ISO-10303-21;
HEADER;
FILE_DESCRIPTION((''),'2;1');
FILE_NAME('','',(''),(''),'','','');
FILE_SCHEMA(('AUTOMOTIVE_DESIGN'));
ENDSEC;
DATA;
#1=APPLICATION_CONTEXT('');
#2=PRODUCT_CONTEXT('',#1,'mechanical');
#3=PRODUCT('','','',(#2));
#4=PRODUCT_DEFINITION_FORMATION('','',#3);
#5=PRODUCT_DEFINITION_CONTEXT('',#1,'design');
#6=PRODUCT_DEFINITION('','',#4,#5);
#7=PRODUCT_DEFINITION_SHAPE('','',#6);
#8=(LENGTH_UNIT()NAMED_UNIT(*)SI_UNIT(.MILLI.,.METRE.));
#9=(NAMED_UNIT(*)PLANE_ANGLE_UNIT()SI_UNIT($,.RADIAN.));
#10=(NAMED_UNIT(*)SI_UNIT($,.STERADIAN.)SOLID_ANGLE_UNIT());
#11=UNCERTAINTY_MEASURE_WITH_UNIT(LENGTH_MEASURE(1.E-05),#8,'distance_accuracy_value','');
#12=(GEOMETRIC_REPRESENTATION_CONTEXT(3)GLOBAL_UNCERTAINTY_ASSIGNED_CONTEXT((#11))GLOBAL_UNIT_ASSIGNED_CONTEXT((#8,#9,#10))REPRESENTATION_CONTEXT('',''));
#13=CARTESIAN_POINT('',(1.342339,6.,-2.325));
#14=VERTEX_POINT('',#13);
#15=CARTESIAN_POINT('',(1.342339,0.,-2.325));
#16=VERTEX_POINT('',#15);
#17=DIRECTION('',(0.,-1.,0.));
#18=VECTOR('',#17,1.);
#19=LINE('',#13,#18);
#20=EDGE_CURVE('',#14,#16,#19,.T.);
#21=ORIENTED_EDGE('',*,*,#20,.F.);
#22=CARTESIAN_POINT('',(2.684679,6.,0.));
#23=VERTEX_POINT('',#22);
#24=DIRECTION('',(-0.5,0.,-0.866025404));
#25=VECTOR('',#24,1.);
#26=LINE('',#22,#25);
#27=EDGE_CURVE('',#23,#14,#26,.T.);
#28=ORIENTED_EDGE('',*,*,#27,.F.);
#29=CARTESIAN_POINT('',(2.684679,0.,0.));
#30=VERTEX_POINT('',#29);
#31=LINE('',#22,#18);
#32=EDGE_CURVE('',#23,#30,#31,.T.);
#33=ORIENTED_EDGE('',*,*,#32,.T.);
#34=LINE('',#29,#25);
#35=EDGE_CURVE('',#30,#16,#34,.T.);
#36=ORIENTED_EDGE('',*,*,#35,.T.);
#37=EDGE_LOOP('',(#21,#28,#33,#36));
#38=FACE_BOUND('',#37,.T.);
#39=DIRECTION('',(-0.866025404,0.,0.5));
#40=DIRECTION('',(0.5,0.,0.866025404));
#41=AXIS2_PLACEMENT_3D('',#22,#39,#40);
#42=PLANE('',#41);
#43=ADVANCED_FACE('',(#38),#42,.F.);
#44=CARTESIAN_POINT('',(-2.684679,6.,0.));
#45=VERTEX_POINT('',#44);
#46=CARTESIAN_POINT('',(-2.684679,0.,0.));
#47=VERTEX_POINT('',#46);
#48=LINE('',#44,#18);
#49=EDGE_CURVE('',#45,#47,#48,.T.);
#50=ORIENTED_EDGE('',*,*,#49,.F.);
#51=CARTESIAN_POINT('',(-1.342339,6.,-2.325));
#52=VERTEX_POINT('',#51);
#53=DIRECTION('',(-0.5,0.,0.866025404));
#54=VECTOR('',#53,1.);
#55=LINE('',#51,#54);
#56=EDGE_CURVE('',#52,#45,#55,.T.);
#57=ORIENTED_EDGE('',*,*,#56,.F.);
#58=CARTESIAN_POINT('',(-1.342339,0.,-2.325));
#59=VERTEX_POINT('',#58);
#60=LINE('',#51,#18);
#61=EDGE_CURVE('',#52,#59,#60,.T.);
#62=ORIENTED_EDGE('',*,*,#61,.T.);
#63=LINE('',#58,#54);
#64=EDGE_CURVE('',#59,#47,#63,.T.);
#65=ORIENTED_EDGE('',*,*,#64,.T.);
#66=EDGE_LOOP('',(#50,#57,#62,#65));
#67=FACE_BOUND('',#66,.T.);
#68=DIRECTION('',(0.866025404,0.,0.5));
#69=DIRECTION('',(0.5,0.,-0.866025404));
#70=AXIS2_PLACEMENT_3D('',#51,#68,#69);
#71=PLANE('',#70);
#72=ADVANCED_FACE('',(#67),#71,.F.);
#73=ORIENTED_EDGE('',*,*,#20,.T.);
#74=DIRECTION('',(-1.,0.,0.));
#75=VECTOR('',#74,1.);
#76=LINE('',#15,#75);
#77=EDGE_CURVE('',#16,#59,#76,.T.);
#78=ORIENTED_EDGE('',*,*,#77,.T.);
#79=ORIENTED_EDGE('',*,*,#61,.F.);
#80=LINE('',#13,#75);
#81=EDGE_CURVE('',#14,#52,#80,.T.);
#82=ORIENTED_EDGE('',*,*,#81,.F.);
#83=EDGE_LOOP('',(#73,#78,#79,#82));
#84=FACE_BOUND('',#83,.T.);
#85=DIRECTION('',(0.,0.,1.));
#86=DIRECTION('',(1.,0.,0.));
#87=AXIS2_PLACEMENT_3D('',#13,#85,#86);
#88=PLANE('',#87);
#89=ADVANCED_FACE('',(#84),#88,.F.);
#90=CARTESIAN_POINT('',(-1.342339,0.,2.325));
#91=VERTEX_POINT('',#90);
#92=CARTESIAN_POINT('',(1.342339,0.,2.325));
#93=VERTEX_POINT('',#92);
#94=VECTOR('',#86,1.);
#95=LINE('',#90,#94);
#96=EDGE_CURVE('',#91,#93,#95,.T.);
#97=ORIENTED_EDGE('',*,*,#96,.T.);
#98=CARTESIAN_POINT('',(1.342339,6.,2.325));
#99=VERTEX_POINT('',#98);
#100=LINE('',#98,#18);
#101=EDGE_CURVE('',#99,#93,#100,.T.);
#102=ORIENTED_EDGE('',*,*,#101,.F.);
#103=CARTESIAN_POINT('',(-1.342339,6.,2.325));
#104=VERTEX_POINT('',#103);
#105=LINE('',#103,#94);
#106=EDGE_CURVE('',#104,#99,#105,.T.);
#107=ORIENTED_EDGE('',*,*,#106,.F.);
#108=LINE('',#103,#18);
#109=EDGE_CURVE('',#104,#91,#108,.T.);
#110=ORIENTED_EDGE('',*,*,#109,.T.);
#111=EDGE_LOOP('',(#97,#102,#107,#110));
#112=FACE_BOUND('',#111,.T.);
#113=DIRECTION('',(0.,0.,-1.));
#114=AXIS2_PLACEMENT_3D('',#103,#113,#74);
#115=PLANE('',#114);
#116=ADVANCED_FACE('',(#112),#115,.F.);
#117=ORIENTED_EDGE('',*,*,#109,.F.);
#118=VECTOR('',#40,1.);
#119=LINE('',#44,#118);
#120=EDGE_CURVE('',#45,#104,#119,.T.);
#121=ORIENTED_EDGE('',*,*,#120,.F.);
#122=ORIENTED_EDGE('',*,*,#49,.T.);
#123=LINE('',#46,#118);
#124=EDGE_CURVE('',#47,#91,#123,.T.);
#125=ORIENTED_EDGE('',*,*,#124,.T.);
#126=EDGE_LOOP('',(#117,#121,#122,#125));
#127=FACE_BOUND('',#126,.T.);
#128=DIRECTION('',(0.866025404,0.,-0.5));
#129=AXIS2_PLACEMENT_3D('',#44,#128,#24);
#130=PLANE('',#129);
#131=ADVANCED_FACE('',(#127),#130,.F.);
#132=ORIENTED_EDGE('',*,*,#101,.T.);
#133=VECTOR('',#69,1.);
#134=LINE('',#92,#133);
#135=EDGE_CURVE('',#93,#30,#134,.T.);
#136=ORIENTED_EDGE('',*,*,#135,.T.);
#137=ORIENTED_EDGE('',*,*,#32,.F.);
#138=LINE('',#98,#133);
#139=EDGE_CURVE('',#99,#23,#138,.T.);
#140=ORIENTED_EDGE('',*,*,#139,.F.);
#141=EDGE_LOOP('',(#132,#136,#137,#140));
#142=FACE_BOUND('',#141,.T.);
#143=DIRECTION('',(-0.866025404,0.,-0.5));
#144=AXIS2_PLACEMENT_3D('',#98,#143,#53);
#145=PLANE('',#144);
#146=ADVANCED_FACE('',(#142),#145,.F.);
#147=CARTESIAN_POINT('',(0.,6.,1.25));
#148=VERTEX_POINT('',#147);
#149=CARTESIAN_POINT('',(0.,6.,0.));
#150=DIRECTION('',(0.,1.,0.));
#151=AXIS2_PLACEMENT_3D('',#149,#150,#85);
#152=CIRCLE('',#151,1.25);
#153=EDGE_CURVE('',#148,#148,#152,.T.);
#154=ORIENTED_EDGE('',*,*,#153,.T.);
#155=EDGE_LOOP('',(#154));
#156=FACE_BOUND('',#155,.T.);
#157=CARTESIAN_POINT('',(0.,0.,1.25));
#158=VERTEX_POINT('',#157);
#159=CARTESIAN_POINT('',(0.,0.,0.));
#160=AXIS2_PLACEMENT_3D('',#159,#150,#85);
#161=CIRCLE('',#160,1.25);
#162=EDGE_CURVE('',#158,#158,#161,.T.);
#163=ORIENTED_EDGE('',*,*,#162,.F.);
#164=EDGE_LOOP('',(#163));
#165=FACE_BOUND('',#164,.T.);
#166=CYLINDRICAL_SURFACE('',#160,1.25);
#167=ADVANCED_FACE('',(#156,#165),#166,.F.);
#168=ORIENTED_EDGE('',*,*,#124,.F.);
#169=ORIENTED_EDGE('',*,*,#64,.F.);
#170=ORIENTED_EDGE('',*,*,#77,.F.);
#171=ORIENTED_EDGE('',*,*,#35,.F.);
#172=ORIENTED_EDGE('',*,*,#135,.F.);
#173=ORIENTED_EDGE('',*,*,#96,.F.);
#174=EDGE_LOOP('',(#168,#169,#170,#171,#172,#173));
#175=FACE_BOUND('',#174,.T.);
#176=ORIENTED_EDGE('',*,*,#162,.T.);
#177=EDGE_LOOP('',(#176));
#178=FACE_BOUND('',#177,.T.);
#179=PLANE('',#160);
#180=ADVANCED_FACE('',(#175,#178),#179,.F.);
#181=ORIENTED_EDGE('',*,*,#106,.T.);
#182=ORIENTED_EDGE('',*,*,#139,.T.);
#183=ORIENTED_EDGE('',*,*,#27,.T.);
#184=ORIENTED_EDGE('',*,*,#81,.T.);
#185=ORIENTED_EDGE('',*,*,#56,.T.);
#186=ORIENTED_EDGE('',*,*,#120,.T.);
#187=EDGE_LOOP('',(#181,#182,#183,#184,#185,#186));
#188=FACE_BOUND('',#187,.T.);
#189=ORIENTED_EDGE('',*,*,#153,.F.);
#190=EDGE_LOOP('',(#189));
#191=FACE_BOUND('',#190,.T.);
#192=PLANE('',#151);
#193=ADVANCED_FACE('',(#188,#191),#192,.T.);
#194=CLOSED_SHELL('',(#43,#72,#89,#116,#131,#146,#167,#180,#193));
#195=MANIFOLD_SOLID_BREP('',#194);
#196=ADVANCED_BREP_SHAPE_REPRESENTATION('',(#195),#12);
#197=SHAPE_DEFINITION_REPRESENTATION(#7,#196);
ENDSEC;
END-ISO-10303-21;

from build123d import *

# Parameters (mm, degrees)
BASE_DEPTH = 6
SKETCH2_R  = 1.25
HOLE_DEPTH = 6


with BuildPart() as part:
    # Sketch1 → base (new body)
    with BuildSketch(Plane(origin=(0, 0, 0), x_dir=(1, 0, 0), z_dir=(0, 1, 0))):
        Polygon((2.684678752, 0), (1.342339376, 2.325), (-1.342339376, 2.325), (-2.684678752, 0), (-1.342339376, -2.325), (1.342339376, -2.325), align=None)
    extrude(amount=BASE_DEPTH)

    # Sketch2 → hole (cut)
    with BuildSketch(Plane(origin=(0, 6, 0), x_dir=(1, 0, 0), z_dir=(0, 1, 0))):
        with Locations(Location((0, 0, 0), (0, 0, 270))):
            Circle(SKETCH2_R)
    extrude(amount=-HOLE_DEPTH, mode=Mode.SUBTRACT)


solid = part.part
